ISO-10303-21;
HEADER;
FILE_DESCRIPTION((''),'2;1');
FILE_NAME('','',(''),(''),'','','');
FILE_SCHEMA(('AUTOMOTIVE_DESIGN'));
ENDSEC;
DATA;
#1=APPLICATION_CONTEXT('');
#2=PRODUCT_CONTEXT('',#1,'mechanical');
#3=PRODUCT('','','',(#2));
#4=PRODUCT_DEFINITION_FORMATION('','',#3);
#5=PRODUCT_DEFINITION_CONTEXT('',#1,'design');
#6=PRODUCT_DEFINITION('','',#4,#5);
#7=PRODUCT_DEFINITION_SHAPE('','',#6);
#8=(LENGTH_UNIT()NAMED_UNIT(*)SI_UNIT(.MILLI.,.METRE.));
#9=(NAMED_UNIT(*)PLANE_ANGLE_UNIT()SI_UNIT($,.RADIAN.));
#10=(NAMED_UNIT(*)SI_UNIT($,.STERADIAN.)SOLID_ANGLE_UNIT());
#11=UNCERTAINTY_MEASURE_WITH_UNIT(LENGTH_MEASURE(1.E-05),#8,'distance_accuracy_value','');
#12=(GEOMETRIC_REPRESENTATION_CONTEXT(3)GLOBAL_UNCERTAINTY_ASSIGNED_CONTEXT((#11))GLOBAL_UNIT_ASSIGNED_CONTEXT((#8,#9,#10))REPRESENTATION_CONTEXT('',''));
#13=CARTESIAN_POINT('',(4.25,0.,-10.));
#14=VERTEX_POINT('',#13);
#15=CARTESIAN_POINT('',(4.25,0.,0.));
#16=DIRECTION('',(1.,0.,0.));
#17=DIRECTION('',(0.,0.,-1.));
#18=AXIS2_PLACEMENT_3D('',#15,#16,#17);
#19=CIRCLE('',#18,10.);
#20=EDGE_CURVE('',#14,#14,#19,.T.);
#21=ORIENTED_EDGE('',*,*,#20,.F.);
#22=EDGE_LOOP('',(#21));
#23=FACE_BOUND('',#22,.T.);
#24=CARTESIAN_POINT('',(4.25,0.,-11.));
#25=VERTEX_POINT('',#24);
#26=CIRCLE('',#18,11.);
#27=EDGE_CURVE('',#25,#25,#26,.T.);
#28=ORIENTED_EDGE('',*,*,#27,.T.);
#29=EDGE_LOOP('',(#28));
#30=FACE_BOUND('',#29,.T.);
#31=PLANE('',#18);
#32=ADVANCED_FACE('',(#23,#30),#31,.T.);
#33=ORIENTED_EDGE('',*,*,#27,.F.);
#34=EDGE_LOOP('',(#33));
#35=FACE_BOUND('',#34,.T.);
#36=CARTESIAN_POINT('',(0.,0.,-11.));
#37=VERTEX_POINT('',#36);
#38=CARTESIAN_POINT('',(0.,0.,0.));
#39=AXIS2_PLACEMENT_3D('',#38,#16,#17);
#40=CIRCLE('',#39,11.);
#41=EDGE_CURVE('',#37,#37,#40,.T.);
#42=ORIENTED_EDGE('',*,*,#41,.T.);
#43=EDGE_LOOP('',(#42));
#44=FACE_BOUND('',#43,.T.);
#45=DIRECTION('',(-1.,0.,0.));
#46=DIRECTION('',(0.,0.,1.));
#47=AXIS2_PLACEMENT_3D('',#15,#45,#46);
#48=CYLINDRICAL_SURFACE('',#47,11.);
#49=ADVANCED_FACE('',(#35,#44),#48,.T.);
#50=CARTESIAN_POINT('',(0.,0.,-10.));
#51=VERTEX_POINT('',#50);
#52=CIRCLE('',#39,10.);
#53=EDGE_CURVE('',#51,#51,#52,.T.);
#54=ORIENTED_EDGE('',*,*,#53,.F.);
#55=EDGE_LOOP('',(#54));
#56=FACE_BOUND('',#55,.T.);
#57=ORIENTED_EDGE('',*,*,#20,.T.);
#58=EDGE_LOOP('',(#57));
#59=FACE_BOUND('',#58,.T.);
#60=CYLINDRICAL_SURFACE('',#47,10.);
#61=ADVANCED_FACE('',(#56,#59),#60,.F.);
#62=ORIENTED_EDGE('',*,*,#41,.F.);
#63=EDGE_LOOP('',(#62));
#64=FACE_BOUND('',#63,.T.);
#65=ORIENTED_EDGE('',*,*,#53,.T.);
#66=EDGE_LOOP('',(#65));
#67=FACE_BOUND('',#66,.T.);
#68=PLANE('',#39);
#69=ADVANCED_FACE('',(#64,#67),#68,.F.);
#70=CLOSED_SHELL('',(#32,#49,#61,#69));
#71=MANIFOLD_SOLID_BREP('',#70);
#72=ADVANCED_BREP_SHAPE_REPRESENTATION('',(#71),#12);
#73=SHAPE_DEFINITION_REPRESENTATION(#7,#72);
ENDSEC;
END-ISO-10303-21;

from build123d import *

# Parameters (mm, degrees)
ESBO_O1_R                = 11
ESBO_O1_R_2              = 10
RESSALTO_EXTRUS_O1_DEPTH = 4.25


with BuildPart() as part:
    # Esboço1 → Ressalto-extrusão1 (new body)
    with BuildSketch(Plane(origin=(0, 0, 0), x_dir=(0, 0, -1), z_dir=(1, 0, 0))):
        Circle(ESBO_O1_R)
        Circle(ESBO_O1_R_2, mode=Mode.SUBTRACT)
    extrude(amount=RESSALTO_EXTRUS_O1_DEPTH)


solid = part.part
